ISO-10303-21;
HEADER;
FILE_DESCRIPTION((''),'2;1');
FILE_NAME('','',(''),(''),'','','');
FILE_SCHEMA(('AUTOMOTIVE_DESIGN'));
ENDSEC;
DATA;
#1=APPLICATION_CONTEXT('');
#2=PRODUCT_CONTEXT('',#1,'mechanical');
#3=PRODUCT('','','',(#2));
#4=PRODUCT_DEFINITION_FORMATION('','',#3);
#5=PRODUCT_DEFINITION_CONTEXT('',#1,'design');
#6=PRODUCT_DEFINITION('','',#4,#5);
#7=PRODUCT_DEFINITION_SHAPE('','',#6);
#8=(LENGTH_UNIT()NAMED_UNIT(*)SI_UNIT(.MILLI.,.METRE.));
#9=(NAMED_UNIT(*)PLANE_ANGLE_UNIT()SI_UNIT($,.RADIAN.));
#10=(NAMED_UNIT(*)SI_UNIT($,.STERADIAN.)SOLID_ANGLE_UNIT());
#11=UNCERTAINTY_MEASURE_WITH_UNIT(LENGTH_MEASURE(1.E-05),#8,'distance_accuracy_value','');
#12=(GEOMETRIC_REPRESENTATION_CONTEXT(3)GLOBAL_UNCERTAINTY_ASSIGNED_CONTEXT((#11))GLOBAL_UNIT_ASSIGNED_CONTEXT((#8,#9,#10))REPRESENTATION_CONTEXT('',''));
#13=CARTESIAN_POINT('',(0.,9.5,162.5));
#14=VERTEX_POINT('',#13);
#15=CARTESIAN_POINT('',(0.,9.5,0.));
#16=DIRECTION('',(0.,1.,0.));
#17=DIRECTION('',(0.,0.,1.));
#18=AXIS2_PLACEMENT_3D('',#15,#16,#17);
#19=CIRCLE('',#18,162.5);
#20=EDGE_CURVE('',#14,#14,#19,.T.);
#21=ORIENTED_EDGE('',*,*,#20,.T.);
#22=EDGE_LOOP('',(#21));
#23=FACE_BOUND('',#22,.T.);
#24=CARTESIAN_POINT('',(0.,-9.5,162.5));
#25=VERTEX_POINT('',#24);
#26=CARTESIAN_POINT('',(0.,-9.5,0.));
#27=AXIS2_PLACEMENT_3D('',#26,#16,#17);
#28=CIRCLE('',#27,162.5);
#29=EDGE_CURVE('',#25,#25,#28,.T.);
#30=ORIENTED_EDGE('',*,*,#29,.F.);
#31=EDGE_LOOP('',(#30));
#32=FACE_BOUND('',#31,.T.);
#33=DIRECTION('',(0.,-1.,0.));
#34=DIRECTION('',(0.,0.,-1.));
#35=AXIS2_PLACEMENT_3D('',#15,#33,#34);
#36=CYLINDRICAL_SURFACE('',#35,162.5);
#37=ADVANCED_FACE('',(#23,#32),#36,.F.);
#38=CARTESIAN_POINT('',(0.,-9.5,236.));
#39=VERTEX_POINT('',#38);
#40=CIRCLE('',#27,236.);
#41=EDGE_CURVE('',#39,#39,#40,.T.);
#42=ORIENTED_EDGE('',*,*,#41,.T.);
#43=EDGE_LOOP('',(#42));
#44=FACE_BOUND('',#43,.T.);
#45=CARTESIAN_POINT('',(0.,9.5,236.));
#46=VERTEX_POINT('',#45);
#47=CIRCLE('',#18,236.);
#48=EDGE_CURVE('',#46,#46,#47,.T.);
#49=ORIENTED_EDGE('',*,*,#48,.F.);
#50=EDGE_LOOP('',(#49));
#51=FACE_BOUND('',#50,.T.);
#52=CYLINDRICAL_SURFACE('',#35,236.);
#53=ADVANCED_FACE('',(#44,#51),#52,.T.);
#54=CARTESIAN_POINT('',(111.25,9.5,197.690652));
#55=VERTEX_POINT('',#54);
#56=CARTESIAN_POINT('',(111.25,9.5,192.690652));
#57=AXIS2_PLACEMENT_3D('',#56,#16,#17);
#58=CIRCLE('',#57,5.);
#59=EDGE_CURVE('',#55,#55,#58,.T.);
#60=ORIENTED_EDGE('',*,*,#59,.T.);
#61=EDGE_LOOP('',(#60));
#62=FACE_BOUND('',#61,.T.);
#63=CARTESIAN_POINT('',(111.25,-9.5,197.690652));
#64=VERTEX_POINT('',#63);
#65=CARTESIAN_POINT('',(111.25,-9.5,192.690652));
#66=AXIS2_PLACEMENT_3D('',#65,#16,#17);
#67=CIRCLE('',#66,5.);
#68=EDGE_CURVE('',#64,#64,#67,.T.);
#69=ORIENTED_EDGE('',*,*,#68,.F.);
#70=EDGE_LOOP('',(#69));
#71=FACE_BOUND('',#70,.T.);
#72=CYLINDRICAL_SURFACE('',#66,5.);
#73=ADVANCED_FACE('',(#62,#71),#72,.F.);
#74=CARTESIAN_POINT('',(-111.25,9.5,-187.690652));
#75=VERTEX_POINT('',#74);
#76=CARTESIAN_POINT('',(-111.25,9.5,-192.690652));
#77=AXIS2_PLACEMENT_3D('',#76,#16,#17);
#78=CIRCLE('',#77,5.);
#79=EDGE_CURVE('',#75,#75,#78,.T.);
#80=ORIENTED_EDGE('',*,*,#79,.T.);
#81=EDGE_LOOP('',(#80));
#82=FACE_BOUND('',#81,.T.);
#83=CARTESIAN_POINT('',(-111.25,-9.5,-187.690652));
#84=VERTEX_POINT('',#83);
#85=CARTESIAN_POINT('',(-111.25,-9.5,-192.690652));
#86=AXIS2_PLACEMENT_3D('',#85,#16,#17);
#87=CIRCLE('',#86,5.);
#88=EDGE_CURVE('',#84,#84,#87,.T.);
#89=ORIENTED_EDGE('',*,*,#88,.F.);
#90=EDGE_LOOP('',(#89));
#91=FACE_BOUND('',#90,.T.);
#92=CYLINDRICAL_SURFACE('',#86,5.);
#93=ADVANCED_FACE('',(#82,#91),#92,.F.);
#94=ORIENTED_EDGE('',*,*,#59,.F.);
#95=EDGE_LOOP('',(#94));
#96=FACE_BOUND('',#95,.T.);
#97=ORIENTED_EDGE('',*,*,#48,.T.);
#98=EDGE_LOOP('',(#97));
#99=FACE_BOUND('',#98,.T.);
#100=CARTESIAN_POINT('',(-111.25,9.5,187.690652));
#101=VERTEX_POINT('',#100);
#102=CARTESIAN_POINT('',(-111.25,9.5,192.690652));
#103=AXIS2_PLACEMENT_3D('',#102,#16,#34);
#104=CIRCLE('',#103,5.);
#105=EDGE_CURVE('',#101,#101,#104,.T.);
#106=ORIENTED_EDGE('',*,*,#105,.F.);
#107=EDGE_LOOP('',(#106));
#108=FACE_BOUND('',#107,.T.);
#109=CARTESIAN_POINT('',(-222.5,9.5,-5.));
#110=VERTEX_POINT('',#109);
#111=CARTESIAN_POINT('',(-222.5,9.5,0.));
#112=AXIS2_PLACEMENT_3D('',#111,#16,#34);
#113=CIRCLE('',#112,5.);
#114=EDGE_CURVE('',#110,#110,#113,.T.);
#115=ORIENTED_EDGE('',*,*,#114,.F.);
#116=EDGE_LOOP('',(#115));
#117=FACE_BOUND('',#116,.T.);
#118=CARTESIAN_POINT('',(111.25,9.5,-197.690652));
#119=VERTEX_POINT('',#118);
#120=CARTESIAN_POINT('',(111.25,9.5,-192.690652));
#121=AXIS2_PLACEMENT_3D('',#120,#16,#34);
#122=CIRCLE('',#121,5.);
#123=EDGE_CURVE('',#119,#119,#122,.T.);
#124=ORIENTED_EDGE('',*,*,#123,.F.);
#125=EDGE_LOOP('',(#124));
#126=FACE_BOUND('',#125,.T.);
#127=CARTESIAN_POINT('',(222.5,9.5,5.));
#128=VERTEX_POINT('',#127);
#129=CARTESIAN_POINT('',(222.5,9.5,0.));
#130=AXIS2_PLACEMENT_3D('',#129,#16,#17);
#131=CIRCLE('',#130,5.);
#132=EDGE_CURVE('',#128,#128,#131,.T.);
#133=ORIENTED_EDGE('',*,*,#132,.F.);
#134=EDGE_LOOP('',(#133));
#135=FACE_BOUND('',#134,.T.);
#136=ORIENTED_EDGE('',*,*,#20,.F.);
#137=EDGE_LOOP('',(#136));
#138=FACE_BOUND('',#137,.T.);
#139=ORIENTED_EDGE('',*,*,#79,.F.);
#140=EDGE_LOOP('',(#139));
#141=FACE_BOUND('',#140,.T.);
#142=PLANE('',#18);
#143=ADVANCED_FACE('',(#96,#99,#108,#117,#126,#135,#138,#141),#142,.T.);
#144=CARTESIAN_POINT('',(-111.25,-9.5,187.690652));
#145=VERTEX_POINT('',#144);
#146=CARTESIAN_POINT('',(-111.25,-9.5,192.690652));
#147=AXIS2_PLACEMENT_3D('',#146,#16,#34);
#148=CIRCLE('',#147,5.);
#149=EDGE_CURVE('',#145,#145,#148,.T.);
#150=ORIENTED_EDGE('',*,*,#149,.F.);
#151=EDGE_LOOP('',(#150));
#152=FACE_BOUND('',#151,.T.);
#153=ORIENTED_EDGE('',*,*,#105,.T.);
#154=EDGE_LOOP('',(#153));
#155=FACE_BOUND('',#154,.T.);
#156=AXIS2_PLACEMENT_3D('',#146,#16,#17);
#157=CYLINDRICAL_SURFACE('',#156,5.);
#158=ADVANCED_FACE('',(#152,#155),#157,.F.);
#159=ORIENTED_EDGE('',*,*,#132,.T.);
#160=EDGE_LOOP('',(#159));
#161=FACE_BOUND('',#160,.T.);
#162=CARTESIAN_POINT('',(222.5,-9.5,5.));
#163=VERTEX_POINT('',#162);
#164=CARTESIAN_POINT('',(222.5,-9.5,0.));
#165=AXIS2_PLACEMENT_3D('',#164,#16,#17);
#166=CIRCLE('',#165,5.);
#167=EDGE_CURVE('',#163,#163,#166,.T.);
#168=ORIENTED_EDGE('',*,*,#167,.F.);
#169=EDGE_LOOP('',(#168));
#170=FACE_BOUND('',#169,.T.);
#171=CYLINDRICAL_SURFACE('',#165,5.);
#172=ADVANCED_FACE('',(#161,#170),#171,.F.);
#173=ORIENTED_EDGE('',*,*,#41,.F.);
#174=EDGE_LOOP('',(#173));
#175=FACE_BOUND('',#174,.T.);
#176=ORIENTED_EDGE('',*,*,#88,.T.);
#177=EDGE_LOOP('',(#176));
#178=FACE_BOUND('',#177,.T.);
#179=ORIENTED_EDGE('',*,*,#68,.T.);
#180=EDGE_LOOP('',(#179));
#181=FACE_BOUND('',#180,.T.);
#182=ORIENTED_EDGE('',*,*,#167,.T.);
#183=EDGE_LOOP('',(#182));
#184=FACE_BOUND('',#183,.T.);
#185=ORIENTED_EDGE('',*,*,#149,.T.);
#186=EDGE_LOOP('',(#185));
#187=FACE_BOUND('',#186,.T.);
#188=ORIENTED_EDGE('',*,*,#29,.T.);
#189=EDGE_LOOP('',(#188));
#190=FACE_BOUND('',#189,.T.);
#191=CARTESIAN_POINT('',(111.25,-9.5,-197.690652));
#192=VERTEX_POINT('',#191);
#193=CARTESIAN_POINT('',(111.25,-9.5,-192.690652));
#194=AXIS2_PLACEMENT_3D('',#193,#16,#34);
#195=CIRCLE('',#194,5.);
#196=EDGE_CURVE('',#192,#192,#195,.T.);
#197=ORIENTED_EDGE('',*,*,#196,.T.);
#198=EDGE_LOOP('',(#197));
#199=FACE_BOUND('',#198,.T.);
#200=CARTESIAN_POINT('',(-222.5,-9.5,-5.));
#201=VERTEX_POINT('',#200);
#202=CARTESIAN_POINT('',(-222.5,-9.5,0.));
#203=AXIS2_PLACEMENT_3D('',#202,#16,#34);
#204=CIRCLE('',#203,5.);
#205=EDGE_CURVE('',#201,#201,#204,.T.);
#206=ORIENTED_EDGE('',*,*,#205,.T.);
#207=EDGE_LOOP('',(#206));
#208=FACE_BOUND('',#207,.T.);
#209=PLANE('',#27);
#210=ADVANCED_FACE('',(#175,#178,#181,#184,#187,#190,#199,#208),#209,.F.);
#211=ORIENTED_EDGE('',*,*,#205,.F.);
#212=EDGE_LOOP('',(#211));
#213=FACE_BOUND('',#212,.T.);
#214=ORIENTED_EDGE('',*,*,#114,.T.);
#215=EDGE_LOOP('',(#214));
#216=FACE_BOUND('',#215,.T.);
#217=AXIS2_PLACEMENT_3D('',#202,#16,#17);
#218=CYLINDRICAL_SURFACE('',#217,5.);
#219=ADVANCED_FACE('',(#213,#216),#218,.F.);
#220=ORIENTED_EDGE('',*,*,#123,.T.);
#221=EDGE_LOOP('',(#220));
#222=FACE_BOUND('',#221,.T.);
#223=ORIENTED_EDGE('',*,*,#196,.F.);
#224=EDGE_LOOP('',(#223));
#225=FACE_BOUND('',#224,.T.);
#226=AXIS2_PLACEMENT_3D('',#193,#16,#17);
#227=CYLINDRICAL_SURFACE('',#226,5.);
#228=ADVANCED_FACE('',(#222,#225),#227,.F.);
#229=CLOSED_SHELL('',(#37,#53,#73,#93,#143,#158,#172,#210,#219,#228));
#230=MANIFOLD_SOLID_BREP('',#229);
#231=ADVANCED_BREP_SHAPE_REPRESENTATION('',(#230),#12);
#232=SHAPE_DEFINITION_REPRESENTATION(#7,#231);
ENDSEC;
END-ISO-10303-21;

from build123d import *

# Parameters (mm, degrees)
SKETCH1_R           = 236
SKETCH1_R_2         = 162.5
BOSS_EXTRUDE1_DEPTH = 9.5
SKETCH2_R           = 5
CUT_EXTRUDE1_DEPTH  = 335.294780097


with BuildPart() as part:
    # Sketch1 → Boss-Extrude1 (new, symmetric)
    with BuildSketch(Plane(origin=(0, 0, 0), x_dir=(1, 0, 0), z_dir=(0, 1, 0))):
        with Locations(Location((0, 0, 0), (0, 0, 270))):
            Circle(SKETCH1_R)
        with Locations(Location((0, 0, 0), (0, 0, 270))):
            Circle(SKETCH1_R_2, mode=Mode.SUBTRACT)
    extrude(amount=BOSS_EXTRUDE1_DEPTH, both=True)

    # Sketch2 → Cut-Extrude1 (cut, through all)
    with BuildSketch(Plane(origin=(0, 9.5, 0), x_dir=(1, 0, 0), z_dir=(0, 1, 0))):
        with Locations(Location((-111.25, 192.690652342, 0), (0, 0, 270))):
            Circle(SKETCH2_R)
        with Locations(Location((222.5, 0, 0), (0, 0, 270))):
            Circle(SKETCH2_R)
        with Locations(Location((111.25, 192.690652342, 0), (0, 0, 90))):
            Circle(SKETCH2_R)
        with Locations(Location((-222.5, 0, 0), (0, 0, 90))):
            Circle(SKETCH2_R)
        with Locations(Location((111.25, -192.690652342, 0), (0, 0, 270))):
            Circle(SKETCH2_R)
        with Locations(Location((-111.25, -192.690652342, 0), (0, 0, 90))):
            Circle(SKETCH2_R)
    extrude(amount=-CUT_EXTRUDE1_DEPTH, mode=Mode.SUBTRACT)


solid = part.part
